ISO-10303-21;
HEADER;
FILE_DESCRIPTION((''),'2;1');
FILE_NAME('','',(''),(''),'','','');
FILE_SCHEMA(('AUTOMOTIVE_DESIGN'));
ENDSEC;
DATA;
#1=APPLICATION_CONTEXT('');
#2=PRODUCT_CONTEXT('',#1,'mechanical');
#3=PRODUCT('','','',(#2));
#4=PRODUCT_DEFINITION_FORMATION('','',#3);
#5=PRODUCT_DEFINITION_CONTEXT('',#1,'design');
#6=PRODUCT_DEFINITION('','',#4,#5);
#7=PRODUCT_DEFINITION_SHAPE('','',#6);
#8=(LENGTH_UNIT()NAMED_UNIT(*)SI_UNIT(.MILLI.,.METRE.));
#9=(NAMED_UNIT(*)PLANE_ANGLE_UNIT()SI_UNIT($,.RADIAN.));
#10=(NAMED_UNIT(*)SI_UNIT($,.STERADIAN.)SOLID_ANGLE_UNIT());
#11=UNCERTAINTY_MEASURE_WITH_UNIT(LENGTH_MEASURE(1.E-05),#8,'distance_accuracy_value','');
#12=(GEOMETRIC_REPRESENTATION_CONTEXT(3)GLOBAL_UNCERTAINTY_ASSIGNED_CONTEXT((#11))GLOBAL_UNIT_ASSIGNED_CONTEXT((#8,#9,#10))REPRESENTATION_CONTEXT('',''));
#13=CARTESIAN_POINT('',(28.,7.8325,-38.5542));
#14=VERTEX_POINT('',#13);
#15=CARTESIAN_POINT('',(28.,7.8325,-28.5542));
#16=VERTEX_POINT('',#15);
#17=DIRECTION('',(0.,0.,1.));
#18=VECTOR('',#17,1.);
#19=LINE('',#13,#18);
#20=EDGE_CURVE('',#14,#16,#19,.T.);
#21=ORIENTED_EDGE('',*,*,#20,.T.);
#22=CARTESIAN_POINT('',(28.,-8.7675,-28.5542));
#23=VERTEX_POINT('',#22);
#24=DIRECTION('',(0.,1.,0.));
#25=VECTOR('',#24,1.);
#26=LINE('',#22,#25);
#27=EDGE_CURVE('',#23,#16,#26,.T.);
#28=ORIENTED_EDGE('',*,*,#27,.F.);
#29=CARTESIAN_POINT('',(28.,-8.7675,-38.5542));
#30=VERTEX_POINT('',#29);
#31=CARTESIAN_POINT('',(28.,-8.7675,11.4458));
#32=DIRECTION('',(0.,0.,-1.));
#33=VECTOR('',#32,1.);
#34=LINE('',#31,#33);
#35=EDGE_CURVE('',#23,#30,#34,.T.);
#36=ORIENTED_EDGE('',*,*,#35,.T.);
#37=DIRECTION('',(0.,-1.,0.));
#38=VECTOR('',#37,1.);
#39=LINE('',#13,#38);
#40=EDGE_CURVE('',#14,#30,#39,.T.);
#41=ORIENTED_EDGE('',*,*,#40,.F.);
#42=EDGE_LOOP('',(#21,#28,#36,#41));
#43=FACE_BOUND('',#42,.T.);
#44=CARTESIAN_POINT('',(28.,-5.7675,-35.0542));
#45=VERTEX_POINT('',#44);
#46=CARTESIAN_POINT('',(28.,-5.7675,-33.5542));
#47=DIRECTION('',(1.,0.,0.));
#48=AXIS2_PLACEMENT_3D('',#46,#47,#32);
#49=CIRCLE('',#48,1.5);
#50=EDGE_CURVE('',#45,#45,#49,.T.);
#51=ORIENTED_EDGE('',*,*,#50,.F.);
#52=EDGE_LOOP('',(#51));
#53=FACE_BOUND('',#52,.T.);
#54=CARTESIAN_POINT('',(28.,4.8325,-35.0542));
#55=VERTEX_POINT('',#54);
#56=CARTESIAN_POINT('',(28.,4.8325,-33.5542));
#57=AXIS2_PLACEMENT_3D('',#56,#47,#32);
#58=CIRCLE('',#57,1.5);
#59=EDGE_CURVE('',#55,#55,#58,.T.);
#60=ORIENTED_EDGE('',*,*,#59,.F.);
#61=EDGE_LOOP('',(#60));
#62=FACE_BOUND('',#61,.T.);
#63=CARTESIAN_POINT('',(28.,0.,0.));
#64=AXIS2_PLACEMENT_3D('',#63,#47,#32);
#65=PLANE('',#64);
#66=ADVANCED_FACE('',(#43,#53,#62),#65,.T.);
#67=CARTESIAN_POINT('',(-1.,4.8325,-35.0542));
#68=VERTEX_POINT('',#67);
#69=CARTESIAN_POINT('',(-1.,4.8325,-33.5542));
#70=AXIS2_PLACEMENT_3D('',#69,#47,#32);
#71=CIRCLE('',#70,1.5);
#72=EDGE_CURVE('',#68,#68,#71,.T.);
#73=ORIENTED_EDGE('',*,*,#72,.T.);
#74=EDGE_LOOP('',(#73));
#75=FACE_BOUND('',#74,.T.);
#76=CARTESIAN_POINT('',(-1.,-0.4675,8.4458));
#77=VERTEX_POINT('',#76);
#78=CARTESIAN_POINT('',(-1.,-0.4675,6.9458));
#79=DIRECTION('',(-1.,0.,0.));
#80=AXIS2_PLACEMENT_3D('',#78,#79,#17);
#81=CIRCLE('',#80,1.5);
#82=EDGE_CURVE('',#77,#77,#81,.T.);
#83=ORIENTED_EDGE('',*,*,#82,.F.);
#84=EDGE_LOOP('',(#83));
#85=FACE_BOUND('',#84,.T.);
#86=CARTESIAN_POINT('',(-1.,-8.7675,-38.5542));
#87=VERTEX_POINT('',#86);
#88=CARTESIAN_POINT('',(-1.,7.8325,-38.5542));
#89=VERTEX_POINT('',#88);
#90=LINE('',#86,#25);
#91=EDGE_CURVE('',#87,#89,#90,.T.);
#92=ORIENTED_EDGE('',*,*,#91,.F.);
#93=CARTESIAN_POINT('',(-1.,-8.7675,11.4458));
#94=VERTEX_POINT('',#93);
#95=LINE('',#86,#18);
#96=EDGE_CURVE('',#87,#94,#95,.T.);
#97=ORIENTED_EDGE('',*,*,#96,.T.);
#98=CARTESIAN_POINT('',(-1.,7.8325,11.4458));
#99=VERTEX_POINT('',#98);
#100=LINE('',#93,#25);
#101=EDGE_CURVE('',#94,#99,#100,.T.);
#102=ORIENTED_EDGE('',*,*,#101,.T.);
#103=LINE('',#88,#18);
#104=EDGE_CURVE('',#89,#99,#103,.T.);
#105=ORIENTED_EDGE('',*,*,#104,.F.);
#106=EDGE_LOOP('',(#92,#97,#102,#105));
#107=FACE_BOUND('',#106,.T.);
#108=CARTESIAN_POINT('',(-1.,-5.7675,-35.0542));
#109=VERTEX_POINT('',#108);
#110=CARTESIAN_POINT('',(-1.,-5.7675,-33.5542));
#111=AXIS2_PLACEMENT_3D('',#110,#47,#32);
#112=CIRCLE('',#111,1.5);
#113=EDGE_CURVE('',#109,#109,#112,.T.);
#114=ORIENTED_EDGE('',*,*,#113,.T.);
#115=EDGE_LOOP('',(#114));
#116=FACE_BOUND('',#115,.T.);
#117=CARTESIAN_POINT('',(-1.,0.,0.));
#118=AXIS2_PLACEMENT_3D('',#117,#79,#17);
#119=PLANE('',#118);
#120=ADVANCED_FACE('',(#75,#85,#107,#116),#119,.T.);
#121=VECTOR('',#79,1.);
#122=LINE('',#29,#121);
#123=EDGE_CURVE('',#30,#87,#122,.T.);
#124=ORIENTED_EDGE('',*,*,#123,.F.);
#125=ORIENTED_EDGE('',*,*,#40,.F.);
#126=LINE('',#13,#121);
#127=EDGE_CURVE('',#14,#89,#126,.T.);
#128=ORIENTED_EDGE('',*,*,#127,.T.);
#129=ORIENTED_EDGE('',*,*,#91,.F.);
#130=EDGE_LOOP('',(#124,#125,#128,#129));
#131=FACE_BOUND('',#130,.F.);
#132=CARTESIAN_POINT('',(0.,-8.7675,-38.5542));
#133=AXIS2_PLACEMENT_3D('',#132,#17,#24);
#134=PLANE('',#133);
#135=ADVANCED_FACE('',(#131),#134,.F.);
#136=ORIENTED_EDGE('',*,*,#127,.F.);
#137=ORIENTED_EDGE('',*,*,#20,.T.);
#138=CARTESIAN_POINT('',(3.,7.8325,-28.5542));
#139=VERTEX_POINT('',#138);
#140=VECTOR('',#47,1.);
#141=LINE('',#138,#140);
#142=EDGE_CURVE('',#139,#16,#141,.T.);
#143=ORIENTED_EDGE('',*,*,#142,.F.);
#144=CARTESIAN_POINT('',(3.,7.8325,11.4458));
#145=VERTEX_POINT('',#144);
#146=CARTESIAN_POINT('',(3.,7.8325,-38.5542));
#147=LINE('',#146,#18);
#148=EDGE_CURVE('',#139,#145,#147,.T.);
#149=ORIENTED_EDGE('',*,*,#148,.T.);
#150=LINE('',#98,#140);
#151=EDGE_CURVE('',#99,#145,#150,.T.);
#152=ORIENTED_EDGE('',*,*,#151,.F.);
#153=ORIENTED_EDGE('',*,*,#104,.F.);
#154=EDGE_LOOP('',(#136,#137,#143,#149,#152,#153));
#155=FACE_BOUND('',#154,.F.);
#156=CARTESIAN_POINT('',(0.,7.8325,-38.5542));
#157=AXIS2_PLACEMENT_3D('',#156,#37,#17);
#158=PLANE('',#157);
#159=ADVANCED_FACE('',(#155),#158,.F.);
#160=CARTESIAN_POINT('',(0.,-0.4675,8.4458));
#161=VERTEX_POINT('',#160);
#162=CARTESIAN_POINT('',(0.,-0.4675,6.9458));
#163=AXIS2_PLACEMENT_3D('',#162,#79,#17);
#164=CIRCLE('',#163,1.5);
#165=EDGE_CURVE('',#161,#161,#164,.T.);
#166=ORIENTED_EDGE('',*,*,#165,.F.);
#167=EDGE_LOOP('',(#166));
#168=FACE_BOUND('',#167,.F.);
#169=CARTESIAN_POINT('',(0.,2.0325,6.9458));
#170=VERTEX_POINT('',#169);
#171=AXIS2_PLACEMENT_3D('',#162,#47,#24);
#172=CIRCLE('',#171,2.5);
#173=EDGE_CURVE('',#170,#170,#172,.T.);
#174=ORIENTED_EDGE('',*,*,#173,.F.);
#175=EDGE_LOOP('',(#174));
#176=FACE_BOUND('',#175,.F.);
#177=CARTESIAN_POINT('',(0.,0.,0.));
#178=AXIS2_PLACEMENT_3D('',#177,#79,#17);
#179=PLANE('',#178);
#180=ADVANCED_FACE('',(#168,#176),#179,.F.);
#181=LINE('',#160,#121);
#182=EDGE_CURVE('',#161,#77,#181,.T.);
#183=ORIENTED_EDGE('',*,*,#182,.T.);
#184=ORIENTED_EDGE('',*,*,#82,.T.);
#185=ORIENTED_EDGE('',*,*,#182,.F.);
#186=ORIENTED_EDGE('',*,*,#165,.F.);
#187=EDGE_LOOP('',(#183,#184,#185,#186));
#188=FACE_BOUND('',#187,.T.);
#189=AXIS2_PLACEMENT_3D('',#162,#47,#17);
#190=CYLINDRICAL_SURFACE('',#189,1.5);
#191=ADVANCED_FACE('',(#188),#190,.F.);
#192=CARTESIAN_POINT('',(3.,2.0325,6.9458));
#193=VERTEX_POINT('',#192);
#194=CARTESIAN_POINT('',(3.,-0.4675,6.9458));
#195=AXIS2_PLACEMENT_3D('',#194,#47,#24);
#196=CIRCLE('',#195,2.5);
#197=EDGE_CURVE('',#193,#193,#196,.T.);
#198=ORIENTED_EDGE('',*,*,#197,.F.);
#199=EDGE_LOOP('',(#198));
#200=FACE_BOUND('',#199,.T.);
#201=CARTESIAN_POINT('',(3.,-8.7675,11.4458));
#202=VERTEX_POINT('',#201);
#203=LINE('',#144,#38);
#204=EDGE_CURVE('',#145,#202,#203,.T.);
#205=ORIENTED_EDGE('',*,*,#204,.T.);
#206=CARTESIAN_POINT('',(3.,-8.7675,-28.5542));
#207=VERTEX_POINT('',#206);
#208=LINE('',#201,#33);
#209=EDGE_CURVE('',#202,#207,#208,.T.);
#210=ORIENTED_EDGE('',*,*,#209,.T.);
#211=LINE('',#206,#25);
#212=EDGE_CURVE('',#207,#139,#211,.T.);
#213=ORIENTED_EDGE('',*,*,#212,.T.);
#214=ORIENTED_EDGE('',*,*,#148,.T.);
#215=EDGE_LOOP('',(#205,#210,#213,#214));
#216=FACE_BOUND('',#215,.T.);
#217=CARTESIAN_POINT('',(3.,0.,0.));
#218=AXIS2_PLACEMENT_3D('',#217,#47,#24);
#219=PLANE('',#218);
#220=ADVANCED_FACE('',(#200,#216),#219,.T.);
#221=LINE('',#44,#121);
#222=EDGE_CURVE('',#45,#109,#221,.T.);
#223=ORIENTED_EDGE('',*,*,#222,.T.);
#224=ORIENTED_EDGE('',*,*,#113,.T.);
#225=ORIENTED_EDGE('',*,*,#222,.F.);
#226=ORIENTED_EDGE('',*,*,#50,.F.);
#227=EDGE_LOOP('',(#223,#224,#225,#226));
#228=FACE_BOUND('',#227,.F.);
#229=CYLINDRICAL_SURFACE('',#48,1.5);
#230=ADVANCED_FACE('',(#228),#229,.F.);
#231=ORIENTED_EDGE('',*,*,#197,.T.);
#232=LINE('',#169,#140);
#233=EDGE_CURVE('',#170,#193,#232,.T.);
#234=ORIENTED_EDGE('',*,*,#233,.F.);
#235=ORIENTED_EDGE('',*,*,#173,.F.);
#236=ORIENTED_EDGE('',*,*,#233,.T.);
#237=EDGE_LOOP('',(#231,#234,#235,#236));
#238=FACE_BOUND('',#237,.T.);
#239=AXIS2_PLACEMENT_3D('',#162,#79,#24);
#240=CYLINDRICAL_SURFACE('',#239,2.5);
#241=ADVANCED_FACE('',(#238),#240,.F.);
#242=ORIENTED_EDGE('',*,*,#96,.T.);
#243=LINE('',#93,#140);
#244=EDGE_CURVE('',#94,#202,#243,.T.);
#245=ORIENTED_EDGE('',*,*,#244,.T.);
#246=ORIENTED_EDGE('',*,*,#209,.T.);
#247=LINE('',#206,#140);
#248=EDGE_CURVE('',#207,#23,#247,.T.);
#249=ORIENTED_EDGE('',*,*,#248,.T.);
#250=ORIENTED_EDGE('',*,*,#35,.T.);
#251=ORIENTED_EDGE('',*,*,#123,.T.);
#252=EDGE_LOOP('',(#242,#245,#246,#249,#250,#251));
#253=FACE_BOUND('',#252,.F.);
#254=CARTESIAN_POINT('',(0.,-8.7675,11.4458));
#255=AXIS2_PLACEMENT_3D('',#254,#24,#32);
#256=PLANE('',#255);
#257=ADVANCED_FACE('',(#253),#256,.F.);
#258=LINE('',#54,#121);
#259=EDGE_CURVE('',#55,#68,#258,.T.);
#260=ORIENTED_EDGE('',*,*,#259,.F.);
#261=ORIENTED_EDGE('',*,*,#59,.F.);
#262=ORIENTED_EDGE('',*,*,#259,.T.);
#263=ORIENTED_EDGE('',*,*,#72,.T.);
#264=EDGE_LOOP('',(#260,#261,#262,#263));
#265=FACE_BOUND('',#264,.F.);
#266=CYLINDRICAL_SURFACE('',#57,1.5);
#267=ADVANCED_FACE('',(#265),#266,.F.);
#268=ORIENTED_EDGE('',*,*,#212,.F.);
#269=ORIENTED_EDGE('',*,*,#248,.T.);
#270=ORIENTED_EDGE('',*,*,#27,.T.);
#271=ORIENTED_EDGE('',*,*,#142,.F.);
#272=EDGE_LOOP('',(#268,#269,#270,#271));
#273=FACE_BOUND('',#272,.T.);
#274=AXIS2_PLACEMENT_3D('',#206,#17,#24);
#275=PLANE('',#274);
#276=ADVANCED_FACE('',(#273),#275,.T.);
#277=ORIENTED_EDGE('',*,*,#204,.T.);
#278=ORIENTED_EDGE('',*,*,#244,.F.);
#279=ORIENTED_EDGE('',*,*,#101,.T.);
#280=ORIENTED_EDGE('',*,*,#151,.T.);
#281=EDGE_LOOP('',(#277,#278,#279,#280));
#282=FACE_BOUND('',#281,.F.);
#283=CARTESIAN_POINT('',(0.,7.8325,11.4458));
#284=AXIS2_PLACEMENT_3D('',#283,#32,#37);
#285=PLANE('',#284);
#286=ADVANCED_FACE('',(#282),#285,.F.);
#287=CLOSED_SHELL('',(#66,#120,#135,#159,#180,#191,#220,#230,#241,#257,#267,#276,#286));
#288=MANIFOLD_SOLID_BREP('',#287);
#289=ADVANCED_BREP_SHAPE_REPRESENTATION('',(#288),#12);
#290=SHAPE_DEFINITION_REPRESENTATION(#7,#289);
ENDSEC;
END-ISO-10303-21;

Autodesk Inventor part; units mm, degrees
ref_plane "YZ Plane" through (0, 0, 0) normal (1, 0, 0) x (0, 1, 0)
ref_plane "XZ Plane" through (0, 0, 0) normal (0, 1, 0) x (-1, 0, 0)
ref_plane "XY Plane" through (0, 0, 0) normal (0, 0, 1) x (1, 0, 0)
sketch "スケッチ1" plane through (0, 0, 0) normal (1, 0, 0) x (0, 1, 0)
  line L0 (7.8325, 11.4458) -> (-8.7675, 11.4458)
  line L1 (-8.7675, 11.4458) -> (-8.7675, -38.5542)
  line L2 (-8.7675, -38.5542) -> (7.8325, -38.5542)
  line L3 (7.8325, -38.5542) -> (7.8325, 11.4458)
  circle A0 centre (-0.4675, 6.9458) radius 2.5
  line L4 (7.8325, 11.4458) -> (-8.7675, 11.4458)
  line L5 (-8.7675, 11.4458) -> (-8.7675, -38.5542)
  line L6 (-8.7675, -38.5542) -> (7.8325, -38.5542)
  line L7 (7.8325, -38.5542) -> (7.8325, 11.4458)
  circle A1 centre (-0.4675, 6.9458) radius 2.5
  point P0 (0, 0)
  point P1 (0, 0)
  point P2 (0, 0)
  dimension "d0" = 16.6
  dimension "d1" = 5
  dimension "d2" = 8.3
  dimension "d3" = 8.3
  dimension "d4" = 4.5
  dimension "d5" = 2
  dimension "d6" = 50
  dimension "d7" = 16.6
  dimension "d8" = 5
  dimension "d9" = 8.3
  dimension "d10" = 8.3
  dimension "d11" = 4.5
  dimension "d12" = 2
  dimension "d13" = 50
extrude "押し出し1" add sketch "スケッチ1" along normal blind 3
sketch "スケッチ2" plane through (3, 0, 0) normal (1, 0, 0) x (0, 0, -1)
  line L0 (-11.4458, -8.7675) -> (38.5542, -8.7675) projected
  line L1 (38.5542, 7.8325) -> (-11.4458, 7.8325) projected
  line L2 (38.5542, -8.7675) -> (28.5542, -8.7675)
  line L3 (28.5542, -8.7675) -> (28.5542, 7.8325)
  line L4 (28.5542, 7.8325) -> (38.5542, 7.8325)
  line L5 (38.5542, 7.8325) -> (38.5542, -8.7675)
  point P0 (0, 0)
  dimension "d16" = 10
extrude "押し出し2" add sketch "スケッチ2" along normal blind 25
sketch "スケッチ3" plane through (0, 0, 0) normal (-1, 0, 0) x (0, 0, 1)
  line L0 (-28.5542, 7.8325) -> (11.4458, 7.8325) projected
  line L1 (-38.5542, -8.7675) -> (-38.5542, 7.8325) projected
  line L2 (11.4458, 7.8325) -> (-38.5542, 7.8325)
  line L3 (-38.5542, 7.8325) -> (-38.5542, -8.7675)
  line L4 (-38.5542, -8.7675) -> (11.4458, -8.7675)
  line L5 (11.4458, -8.7675) -> (11.4458, 7.8325)
  circle A0 centre (6.9458, -0.4675) radius 2.5 projected
  circle A1 centre (6.9458, -0.4675) radius 1.5
  point P0 (0, 0)
  dimension "d19" = 3
extrude "押し出し3" add sketch "スケッチ3" along normal blind 1 contours L0 L5 L4 L1 L2 | A0
sketch "スケッチ4" plane through (28, 0, 0) normal (1, 0, 0) x (0, 0, -1)
  circle A0 centre (33.5542, -5.7675) radius 1.5
  circle A1 centre (33.5542, 4.8325) radius 1.5
  line L0 (28.5542, -8.7675) -> (38.5542, -8.7675) projected
  line L1 (38.5542, 7.8325) -> (28.5542, 7.8325) projected
  line L2 (28.5542, 7.8325) -> (28.5542, -8.7675) projected
  point P0 (0, 0)
  dimension "d22" = 3
  dimension "d23" = 3
  dimension "d24" = 3
  dimension "d25" = 3
  dimension "d26" = 5
  dimension "d27" = 5
extrude "押し出し4" cut sketch "スケッチ4" against normal blind 100
properties part number "armpart4"
